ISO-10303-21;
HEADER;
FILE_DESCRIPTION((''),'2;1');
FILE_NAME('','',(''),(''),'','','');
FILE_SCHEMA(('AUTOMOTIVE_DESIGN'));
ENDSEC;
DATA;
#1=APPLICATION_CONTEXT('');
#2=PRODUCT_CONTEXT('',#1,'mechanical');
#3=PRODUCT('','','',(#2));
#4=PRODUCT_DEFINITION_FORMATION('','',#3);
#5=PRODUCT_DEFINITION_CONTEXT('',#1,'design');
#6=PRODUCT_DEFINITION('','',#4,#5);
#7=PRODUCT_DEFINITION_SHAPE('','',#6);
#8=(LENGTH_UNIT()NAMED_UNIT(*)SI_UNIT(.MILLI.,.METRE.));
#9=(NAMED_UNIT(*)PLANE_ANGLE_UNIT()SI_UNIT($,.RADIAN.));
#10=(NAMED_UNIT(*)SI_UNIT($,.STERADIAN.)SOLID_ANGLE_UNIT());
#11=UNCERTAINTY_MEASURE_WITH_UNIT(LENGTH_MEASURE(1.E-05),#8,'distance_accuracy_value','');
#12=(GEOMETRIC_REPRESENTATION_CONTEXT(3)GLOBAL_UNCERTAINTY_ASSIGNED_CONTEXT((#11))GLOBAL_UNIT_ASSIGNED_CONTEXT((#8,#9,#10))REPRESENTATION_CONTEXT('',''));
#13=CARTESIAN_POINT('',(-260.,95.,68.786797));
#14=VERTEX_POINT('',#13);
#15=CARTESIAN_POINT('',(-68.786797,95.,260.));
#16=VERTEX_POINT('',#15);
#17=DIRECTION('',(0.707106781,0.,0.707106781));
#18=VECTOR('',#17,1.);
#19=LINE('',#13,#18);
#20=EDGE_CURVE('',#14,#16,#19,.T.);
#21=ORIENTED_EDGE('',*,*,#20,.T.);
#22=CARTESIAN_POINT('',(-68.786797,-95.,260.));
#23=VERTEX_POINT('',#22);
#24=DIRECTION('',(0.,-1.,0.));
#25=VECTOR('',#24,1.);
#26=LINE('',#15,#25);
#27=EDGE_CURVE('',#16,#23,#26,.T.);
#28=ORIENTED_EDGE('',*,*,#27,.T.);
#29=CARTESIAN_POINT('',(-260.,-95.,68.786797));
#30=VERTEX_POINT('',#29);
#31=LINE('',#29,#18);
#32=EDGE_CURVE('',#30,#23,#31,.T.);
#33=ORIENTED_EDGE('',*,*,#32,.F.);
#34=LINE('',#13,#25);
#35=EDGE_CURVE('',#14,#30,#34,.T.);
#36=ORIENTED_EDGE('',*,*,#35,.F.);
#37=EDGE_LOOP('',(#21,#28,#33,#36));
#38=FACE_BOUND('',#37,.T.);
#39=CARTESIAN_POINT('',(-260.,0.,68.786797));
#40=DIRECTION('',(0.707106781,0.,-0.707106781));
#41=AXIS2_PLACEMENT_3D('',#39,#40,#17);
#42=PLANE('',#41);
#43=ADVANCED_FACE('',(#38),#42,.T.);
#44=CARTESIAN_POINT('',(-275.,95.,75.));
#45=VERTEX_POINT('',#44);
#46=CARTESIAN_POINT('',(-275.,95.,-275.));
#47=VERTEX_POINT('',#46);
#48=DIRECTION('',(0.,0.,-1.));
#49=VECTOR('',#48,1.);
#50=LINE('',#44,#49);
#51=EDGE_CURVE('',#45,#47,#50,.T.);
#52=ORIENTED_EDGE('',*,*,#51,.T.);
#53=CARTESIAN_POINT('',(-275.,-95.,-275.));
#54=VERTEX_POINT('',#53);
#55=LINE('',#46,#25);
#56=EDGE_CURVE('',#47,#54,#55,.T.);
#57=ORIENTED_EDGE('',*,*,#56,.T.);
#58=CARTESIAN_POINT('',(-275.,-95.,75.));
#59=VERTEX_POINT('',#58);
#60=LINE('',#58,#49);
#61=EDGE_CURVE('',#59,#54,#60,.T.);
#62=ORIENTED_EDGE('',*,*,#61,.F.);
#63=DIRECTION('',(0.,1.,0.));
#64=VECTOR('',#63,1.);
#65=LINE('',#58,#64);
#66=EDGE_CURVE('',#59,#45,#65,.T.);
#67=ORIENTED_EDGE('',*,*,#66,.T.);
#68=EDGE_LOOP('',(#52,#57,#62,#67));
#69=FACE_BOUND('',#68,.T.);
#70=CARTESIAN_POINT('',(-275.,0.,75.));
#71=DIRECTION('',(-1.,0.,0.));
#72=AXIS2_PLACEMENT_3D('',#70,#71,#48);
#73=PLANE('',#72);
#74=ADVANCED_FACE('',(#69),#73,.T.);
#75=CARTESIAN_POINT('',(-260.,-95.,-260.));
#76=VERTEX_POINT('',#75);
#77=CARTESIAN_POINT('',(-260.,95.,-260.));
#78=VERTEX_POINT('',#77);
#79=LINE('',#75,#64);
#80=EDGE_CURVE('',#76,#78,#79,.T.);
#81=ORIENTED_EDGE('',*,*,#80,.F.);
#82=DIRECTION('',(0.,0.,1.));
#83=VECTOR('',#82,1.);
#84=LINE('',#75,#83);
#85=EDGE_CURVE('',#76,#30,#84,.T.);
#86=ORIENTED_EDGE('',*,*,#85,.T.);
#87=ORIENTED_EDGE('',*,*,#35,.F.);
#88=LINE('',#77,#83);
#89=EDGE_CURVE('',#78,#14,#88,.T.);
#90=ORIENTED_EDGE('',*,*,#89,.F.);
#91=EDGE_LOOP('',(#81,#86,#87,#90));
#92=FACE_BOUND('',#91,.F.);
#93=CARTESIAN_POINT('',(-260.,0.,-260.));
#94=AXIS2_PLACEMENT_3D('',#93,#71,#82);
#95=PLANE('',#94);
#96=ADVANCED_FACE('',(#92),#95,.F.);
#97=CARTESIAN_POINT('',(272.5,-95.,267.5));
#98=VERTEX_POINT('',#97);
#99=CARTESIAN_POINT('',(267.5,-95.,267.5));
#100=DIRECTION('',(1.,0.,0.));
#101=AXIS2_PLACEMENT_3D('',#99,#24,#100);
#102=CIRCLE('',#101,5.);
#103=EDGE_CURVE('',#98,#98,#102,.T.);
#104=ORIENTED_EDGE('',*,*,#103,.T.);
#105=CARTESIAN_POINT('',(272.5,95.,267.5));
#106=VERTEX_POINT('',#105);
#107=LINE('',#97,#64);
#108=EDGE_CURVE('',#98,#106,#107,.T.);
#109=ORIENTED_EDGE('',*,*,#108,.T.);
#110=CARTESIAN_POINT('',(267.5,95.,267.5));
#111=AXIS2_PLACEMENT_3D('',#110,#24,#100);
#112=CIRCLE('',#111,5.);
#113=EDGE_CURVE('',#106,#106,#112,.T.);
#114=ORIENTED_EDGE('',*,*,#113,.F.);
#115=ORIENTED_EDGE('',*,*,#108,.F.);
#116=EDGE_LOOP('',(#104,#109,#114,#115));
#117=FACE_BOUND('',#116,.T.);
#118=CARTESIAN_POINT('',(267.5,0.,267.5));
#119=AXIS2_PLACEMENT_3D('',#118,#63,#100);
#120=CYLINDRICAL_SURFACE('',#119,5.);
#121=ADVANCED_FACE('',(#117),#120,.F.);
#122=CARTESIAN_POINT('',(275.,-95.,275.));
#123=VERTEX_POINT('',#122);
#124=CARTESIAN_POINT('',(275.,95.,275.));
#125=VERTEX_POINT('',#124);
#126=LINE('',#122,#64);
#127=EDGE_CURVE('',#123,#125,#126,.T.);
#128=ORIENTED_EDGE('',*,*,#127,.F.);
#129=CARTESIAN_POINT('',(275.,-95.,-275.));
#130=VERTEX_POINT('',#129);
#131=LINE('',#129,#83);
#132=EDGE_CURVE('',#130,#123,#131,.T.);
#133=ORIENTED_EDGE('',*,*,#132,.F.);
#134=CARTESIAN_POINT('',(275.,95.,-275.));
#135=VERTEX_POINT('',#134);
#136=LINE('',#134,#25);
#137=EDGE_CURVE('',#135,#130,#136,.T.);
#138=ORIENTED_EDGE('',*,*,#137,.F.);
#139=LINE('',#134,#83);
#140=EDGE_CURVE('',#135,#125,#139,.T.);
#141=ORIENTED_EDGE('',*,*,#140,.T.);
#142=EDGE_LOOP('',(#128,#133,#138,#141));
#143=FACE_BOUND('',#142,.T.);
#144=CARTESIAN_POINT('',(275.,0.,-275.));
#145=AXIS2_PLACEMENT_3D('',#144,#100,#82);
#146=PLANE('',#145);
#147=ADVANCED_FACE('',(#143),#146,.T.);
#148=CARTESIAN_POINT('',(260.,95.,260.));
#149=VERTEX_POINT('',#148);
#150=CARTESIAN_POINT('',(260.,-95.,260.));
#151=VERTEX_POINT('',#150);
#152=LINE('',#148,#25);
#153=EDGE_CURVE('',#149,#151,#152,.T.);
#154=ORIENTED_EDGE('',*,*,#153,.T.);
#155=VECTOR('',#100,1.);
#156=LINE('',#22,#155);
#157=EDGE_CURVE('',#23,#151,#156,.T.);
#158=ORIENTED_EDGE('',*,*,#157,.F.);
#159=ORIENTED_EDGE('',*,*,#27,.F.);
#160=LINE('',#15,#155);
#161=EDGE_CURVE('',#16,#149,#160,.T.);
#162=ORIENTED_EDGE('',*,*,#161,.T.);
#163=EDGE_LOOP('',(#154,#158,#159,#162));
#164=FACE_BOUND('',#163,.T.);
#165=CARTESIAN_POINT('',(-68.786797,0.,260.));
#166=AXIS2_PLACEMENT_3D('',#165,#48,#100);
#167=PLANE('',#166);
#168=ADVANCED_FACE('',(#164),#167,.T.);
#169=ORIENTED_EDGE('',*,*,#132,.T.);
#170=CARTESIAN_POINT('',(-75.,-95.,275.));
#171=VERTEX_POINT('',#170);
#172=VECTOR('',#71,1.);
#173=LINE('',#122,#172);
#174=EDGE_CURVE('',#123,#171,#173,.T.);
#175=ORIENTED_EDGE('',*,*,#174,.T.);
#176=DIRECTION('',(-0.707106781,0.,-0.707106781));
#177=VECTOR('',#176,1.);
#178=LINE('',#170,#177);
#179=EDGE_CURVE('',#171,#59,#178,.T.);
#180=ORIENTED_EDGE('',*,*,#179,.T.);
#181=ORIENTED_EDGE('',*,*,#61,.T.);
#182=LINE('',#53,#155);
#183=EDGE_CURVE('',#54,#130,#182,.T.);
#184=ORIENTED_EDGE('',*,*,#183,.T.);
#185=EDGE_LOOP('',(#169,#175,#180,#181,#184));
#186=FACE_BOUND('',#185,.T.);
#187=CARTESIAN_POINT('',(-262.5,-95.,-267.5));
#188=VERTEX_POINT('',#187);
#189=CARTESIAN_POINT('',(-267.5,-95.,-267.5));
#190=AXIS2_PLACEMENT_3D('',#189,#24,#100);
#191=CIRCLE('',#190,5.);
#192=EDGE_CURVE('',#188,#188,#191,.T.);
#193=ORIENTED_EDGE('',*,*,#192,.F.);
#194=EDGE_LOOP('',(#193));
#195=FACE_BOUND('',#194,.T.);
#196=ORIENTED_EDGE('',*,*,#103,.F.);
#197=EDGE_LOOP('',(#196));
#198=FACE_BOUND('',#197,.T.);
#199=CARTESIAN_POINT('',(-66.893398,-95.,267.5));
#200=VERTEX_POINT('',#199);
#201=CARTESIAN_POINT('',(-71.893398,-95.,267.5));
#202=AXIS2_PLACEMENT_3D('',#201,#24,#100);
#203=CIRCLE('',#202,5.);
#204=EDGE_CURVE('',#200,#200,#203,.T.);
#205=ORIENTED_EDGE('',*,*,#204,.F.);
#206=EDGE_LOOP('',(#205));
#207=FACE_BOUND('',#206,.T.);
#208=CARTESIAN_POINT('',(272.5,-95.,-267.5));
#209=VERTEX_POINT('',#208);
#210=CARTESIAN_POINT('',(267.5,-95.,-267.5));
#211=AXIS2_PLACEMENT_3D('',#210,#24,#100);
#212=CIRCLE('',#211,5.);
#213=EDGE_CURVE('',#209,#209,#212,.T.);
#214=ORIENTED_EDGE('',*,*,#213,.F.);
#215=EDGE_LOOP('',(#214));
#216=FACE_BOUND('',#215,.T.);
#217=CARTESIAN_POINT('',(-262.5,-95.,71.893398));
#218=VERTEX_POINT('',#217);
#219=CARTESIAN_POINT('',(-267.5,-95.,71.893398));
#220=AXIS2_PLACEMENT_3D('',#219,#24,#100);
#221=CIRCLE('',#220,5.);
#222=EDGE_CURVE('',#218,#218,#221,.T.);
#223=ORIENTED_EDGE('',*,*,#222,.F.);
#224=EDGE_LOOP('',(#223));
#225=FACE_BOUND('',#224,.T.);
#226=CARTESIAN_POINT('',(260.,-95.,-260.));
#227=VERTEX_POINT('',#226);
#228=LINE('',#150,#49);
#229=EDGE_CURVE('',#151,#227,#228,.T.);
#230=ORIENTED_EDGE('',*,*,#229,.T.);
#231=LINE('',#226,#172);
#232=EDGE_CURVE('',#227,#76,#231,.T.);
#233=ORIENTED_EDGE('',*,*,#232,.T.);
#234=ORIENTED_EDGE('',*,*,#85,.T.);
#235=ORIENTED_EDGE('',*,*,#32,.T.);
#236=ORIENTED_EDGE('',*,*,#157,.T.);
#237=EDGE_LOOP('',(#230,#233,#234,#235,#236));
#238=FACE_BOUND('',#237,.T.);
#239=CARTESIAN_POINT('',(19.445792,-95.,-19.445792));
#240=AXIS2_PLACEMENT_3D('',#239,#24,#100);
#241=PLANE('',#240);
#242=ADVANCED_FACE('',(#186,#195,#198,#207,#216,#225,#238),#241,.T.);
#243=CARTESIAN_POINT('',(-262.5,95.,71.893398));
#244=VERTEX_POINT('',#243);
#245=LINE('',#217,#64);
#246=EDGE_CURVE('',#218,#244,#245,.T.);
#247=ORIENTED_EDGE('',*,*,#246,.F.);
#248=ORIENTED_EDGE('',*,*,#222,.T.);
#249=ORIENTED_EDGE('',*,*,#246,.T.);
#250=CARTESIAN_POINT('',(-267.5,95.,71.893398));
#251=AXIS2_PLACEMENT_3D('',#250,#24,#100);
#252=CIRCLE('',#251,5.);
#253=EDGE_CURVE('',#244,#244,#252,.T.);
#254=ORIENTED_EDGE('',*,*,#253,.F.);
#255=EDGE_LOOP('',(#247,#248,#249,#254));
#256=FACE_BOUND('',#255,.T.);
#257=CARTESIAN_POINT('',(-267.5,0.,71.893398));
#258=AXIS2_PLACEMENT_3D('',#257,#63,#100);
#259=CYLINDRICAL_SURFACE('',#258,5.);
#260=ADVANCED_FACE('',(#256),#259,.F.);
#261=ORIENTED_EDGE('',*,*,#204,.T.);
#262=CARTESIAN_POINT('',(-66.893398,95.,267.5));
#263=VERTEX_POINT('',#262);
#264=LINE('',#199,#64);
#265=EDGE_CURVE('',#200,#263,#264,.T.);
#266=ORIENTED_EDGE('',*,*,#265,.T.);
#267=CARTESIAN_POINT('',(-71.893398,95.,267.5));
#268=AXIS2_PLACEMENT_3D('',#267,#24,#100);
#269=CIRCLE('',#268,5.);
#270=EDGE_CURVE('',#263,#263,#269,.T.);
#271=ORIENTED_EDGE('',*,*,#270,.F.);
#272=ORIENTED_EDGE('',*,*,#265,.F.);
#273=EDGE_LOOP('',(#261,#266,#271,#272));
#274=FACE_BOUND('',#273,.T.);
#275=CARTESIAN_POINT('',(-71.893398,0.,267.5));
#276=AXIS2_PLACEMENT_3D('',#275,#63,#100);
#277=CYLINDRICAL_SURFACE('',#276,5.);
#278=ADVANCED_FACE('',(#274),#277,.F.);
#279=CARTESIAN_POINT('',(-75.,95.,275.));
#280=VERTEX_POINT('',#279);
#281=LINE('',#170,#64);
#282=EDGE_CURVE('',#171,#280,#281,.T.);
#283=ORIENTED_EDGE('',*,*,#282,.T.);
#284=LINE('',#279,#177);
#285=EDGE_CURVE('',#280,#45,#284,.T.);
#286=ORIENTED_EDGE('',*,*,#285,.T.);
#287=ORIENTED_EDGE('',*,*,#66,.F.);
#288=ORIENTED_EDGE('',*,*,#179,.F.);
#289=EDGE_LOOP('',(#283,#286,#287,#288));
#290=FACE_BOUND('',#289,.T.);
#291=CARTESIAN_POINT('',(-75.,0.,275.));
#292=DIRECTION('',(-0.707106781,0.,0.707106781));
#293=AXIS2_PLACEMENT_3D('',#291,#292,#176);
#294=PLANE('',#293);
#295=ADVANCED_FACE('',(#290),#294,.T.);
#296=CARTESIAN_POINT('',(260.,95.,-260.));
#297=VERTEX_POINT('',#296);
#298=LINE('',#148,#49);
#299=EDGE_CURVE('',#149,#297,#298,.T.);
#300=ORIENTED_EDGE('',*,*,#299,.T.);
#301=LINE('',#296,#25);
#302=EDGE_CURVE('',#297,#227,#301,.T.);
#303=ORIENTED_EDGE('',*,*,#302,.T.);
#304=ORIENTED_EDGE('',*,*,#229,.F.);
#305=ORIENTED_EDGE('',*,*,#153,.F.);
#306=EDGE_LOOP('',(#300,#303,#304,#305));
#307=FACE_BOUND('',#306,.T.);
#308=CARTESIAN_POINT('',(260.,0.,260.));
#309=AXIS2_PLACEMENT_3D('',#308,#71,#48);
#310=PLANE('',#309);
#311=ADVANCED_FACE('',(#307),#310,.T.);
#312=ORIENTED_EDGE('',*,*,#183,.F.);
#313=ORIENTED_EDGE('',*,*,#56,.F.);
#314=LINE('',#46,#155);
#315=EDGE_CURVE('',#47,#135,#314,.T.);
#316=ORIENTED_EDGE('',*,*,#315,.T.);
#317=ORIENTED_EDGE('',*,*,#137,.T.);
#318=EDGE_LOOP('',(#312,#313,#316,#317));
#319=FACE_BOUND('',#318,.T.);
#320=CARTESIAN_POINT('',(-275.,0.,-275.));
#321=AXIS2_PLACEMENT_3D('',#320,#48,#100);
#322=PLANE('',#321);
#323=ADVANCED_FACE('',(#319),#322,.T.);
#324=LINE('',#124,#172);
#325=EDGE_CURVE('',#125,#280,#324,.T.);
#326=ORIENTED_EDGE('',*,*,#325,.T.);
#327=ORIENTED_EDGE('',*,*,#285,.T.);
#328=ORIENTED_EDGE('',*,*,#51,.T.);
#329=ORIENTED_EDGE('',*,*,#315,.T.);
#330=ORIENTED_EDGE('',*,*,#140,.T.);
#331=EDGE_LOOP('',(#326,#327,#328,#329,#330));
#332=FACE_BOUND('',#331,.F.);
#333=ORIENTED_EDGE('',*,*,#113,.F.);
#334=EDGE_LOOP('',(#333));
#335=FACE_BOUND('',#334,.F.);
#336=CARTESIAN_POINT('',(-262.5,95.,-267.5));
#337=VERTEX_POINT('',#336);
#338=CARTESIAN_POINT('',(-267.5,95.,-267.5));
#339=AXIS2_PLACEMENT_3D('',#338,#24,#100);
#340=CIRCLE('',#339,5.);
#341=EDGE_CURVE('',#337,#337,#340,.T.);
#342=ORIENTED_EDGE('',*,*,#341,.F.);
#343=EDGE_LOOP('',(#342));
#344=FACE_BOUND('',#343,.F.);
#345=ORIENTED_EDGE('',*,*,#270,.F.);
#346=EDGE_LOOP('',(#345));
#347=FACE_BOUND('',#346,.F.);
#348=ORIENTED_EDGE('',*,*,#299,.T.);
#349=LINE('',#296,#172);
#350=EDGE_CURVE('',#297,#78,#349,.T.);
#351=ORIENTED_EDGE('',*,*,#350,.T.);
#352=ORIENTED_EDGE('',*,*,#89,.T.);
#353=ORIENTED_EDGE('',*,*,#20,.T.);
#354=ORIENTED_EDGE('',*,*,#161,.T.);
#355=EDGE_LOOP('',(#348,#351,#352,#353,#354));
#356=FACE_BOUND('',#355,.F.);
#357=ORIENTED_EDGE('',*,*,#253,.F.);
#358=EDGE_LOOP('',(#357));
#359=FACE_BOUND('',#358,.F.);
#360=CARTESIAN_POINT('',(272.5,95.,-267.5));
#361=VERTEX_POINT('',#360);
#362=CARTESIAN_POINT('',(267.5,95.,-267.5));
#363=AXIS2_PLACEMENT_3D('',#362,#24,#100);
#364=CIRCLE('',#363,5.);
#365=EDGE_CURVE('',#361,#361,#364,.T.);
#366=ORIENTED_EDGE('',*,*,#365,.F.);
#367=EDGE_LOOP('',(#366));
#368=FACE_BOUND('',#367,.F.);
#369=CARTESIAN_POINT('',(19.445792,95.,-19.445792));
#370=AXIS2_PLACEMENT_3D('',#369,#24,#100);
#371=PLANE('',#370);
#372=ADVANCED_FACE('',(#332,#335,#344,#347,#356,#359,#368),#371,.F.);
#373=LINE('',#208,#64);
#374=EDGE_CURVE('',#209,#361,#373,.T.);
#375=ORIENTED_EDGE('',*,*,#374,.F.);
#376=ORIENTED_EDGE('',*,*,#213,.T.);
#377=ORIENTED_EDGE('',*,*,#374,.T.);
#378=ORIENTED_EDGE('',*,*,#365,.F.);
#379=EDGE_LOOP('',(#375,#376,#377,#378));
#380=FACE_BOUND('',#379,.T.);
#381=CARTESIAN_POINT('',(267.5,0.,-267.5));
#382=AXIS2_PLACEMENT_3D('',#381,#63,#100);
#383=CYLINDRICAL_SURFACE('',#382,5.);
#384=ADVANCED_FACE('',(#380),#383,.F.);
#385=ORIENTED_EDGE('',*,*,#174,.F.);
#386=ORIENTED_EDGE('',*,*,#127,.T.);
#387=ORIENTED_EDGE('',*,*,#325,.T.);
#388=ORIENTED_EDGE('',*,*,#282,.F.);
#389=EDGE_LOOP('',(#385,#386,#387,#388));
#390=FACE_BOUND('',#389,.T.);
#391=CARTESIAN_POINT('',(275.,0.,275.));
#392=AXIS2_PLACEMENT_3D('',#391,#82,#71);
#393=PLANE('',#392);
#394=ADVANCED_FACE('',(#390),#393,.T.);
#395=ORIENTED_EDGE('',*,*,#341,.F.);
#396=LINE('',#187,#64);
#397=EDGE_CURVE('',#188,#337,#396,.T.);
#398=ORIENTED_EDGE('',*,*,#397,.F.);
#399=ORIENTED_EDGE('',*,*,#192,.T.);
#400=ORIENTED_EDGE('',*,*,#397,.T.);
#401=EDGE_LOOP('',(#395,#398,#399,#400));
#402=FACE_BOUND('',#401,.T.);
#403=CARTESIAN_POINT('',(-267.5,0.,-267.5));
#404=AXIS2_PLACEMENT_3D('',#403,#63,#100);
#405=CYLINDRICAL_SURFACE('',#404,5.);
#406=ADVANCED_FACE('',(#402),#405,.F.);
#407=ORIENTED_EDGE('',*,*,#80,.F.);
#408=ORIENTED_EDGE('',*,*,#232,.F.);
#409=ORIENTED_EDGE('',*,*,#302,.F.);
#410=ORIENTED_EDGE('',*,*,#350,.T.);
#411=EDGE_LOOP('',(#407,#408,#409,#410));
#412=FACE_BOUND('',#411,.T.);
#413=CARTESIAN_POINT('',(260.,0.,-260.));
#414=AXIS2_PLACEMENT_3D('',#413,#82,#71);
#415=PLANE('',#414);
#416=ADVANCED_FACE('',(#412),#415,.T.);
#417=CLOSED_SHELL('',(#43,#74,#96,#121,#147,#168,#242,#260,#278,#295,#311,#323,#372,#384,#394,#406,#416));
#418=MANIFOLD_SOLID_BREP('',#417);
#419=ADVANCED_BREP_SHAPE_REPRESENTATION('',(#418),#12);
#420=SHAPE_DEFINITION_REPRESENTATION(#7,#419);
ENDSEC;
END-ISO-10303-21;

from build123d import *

# Parameters (mm, degrees)
F0_R     = 5
F1_DEPTH = 95


with BuildPart() as f1:
    # F0 (on Front) → F1 (new body, symmetric)
    with BuildSketch(Plane.XZ):
        Polygon((-275, 75), (-275, -275), (275, -275), (275, 275), (-75, 275), align=None)
        with Locations((-267.5, -267.5)):
            Circle(F0_R, mode=Mode.SUBTRACT)
        with Locations((267.5, -267.5)):
            Circle(F0_R, mode=Mode.SUBTRACT)
        with Locations((-267.5, 71.8933982822)):
            Circle(F0_R, mode=Mode.SUBTRACT)
        with Locations((-71.8933982822, 267.5)):
            Circle(F0_R, mode=Mode.SUBTRACT)
        Polygon((260, -260), (-260, -260), (-260, 68.7867965644), (-68.7867965644, 260), (-35, 260), (260, 260), (260, 130), (260, -35), align=None, mode=Mode.SUBTRACT)
        with Locations((267.5, 267.5)):
            Circle(F0_R, mode=Mode.SUBTRACT)
    extrude(amount=F1_DEPTH, both=True)


solid = f1.part
